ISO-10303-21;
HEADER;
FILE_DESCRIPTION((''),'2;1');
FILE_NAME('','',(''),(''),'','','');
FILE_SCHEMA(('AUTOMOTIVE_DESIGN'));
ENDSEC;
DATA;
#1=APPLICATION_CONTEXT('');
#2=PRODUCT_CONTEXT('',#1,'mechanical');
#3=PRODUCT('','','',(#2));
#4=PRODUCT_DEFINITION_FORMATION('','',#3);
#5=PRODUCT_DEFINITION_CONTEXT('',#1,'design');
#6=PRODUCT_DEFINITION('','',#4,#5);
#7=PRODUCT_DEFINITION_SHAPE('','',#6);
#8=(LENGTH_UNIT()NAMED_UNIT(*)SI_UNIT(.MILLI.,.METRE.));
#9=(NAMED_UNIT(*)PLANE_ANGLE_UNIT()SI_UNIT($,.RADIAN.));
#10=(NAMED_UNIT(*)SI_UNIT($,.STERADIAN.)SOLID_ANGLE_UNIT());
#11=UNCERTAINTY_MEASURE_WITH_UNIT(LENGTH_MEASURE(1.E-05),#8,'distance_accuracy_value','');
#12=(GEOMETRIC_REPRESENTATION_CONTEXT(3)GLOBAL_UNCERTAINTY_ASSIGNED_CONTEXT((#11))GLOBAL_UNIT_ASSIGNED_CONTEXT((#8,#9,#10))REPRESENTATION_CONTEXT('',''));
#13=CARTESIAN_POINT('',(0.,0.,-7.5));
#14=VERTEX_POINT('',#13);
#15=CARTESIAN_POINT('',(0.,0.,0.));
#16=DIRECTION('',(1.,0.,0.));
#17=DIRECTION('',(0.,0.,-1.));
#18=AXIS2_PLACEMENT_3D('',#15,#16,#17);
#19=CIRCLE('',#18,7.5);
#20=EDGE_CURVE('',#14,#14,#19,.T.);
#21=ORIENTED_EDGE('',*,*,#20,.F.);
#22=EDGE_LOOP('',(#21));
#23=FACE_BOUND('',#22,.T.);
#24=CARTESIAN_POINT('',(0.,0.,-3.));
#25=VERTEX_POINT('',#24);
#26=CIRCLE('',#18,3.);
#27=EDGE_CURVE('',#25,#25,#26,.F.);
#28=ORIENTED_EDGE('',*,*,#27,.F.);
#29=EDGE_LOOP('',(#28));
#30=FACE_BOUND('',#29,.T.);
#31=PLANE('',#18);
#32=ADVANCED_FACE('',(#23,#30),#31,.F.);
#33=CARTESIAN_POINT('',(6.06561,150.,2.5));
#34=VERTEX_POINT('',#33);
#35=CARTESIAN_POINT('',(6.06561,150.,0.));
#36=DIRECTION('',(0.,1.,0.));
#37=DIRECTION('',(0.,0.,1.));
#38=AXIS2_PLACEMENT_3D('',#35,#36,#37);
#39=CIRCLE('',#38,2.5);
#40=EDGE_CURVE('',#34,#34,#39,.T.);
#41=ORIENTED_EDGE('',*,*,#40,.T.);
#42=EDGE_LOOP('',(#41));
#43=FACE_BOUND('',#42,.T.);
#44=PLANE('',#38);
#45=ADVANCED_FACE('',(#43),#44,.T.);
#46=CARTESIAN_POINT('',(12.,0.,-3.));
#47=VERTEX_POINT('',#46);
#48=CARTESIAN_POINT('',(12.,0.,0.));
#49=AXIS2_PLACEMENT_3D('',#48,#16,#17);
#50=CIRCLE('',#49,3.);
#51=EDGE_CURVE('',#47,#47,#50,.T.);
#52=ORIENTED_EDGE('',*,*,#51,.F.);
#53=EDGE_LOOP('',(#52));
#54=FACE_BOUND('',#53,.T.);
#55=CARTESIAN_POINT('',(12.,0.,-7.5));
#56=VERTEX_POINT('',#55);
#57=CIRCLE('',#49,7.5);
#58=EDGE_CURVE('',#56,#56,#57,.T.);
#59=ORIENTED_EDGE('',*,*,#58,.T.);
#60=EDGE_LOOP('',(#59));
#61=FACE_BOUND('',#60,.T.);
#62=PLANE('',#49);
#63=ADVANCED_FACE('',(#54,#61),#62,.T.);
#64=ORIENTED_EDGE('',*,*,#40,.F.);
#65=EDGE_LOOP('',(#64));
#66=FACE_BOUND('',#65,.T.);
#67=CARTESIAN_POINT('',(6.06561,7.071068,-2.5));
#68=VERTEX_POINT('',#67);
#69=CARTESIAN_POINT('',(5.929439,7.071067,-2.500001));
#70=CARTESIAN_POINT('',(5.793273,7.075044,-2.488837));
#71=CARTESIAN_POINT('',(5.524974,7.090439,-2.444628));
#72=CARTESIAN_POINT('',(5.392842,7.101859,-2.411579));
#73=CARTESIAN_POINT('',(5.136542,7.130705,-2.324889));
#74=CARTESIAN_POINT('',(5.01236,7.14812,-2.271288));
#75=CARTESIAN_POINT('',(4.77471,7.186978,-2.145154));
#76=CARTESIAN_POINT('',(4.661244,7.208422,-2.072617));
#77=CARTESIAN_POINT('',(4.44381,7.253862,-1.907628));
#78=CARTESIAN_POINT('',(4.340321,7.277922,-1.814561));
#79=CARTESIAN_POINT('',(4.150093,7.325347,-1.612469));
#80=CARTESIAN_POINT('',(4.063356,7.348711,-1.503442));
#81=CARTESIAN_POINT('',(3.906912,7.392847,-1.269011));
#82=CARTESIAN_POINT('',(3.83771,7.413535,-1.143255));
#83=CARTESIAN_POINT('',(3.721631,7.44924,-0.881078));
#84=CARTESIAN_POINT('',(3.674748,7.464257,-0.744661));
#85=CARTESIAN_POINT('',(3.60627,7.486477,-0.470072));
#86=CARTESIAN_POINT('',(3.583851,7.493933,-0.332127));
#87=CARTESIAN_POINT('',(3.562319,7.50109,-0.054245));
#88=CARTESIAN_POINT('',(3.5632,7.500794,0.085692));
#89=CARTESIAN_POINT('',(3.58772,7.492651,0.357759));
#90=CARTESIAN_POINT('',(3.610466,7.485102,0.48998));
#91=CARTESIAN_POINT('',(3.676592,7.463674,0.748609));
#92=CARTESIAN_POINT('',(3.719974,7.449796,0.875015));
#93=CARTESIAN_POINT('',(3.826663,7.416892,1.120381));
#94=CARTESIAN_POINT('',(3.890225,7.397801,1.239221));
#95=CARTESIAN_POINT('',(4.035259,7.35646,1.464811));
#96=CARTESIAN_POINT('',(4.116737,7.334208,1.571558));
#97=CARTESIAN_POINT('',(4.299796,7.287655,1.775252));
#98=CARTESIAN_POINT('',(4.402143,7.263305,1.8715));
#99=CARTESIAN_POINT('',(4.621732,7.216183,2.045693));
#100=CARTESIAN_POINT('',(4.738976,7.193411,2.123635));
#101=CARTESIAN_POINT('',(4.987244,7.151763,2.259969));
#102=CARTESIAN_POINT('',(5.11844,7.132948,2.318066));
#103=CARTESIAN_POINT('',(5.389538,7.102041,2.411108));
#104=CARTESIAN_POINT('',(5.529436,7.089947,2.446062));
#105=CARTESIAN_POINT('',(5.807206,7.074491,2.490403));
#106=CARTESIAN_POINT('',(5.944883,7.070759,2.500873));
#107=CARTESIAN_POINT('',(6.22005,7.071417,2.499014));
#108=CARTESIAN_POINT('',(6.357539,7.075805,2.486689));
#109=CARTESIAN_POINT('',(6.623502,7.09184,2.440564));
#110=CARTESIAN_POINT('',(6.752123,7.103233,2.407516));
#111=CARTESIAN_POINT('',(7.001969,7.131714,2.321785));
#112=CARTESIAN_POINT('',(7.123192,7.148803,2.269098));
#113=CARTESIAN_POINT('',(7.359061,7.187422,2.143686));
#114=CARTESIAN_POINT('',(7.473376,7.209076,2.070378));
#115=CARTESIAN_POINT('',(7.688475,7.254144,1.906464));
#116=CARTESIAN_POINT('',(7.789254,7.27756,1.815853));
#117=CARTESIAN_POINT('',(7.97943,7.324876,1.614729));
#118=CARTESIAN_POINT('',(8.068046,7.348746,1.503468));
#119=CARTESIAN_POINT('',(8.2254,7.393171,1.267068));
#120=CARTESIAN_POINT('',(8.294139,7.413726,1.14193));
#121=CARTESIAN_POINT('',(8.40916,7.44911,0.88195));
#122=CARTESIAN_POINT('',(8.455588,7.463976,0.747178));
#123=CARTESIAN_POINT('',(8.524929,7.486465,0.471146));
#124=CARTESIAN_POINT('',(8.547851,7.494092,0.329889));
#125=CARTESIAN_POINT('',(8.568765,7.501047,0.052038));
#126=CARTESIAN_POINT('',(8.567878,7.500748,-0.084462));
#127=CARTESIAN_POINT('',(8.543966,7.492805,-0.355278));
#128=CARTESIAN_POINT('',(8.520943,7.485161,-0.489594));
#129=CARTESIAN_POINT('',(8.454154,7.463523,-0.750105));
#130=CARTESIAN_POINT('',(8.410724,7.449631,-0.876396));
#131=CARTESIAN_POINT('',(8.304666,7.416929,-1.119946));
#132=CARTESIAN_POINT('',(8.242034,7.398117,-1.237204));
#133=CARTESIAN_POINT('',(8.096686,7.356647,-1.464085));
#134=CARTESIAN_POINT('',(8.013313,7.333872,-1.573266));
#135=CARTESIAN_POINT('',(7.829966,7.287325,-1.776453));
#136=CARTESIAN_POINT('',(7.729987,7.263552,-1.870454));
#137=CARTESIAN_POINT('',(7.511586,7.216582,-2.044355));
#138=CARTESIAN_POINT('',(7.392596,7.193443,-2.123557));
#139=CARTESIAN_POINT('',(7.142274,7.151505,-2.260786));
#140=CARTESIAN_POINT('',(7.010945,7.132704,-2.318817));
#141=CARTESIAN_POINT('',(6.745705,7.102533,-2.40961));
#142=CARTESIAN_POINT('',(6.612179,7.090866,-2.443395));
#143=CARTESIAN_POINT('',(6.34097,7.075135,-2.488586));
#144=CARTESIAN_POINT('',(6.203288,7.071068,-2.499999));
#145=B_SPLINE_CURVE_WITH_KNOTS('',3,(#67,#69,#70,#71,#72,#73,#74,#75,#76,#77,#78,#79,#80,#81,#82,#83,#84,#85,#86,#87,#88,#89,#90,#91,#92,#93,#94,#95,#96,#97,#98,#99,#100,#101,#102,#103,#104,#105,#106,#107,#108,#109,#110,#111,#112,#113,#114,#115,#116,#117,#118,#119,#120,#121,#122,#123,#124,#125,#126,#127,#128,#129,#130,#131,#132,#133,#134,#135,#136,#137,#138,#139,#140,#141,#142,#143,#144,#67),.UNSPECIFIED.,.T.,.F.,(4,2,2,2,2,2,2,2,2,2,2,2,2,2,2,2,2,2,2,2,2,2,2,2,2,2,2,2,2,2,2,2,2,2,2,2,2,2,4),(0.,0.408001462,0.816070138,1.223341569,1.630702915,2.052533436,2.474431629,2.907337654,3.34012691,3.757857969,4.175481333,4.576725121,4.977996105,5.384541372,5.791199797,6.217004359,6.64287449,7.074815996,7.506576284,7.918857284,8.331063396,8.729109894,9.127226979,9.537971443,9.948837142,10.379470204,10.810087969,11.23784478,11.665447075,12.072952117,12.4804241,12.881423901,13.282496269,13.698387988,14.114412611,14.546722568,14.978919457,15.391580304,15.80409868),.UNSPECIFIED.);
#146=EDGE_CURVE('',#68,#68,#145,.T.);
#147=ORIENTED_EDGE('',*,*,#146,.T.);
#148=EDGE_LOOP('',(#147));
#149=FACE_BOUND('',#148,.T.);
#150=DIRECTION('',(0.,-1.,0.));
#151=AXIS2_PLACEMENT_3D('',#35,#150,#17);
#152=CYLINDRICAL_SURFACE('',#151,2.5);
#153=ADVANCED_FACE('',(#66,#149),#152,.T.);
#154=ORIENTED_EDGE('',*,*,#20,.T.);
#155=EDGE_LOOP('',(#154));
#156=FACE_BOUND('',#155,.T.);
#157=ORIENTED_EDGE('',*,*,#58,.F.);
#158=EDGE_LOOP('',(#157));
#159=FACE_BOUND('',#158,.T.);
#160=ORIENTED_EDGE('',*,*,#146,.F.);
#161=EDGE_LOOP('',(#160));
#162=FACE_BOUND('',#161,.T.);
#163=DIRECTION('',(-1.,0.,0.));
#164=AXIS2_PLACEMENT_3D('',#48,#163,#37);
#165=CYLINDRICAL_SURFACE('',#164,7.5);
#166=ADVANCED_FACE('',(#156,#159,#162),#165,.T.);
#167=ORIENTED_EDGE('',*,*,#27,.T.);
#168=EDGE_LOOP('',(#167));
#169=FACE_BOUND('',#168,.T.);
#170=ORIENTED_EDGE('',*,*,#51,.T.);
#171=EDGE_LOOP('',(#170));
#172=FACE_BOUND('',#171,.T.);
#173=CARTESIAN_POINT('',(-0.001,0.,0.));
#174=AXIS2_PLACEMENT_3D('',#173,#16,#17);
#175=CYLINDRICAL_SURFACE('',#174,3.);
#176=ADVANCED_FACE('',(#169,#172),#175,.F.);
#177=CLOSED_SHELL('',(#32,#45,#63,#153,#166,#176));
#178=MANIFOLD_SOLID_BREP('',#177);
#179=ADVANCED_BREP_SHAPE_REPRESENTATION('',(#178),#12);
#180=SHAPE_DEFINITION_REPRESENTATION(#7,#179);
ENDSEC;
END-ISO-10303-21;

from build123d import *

# Parameters (mm, degrees)
SKETCH_1_R          = 7.5
EXTRUDE_1_DEPTH     = 12
SKETCH_3_R          = 2.5
EXTRUDE_2_DEPTH     = 150
CUT_EXTRUDE_1_REACH = 152.666
SKETCH_2_R          = 3


with BuildPart() as part:
    # 草图1 → 凸台-拉伸1 (new body)
    with BuildSketch(Plane(origin=(0, 0, 0), x_dir=(0, 0, -1), z_dir=(1, 0, 0))):
        Circle(SKETCH_1_R)
    extrude(amount=EXTRUDE_1_DEPTH)

    # 草图3 → 凸台-拉伸2 (add)
    with BuildSketch(Plane(origin=(0, 0, 0), x_dir=(1, 0, 0), z_dir=(0, 1, 0))):
        with Locations(Location((6.065609695, 0, 0), (0, 0, 90))):
            Circle(SKETCH_3_R)
    extrude(amount=EXTRUDE_2_DEPTH)

    # 草图2 → 切除-拉伸1 (cut, up to next)
    with BuildSketch(Plane(origin=(12, 0, 0), x_dir=(0, 0, -1), z_dir=(1, 0, 0)), mode=Mode.PRIVATE) as cut_extrude_1_sk1:
        Circle(SKETCH_2_R)
    cut_extrude_1_tool1 = extrude(cut_extrude_1_sk1.sketch, amount=-CUT_EXTRUDE_1_REACH, mode=Mode.PRIVATE) & part.part
    add(cut_extrude_1_tool1.solids().sort_by_distance((12, 0, 0))[0], mode=Mode.SUBTRACT)


solid = part.part
